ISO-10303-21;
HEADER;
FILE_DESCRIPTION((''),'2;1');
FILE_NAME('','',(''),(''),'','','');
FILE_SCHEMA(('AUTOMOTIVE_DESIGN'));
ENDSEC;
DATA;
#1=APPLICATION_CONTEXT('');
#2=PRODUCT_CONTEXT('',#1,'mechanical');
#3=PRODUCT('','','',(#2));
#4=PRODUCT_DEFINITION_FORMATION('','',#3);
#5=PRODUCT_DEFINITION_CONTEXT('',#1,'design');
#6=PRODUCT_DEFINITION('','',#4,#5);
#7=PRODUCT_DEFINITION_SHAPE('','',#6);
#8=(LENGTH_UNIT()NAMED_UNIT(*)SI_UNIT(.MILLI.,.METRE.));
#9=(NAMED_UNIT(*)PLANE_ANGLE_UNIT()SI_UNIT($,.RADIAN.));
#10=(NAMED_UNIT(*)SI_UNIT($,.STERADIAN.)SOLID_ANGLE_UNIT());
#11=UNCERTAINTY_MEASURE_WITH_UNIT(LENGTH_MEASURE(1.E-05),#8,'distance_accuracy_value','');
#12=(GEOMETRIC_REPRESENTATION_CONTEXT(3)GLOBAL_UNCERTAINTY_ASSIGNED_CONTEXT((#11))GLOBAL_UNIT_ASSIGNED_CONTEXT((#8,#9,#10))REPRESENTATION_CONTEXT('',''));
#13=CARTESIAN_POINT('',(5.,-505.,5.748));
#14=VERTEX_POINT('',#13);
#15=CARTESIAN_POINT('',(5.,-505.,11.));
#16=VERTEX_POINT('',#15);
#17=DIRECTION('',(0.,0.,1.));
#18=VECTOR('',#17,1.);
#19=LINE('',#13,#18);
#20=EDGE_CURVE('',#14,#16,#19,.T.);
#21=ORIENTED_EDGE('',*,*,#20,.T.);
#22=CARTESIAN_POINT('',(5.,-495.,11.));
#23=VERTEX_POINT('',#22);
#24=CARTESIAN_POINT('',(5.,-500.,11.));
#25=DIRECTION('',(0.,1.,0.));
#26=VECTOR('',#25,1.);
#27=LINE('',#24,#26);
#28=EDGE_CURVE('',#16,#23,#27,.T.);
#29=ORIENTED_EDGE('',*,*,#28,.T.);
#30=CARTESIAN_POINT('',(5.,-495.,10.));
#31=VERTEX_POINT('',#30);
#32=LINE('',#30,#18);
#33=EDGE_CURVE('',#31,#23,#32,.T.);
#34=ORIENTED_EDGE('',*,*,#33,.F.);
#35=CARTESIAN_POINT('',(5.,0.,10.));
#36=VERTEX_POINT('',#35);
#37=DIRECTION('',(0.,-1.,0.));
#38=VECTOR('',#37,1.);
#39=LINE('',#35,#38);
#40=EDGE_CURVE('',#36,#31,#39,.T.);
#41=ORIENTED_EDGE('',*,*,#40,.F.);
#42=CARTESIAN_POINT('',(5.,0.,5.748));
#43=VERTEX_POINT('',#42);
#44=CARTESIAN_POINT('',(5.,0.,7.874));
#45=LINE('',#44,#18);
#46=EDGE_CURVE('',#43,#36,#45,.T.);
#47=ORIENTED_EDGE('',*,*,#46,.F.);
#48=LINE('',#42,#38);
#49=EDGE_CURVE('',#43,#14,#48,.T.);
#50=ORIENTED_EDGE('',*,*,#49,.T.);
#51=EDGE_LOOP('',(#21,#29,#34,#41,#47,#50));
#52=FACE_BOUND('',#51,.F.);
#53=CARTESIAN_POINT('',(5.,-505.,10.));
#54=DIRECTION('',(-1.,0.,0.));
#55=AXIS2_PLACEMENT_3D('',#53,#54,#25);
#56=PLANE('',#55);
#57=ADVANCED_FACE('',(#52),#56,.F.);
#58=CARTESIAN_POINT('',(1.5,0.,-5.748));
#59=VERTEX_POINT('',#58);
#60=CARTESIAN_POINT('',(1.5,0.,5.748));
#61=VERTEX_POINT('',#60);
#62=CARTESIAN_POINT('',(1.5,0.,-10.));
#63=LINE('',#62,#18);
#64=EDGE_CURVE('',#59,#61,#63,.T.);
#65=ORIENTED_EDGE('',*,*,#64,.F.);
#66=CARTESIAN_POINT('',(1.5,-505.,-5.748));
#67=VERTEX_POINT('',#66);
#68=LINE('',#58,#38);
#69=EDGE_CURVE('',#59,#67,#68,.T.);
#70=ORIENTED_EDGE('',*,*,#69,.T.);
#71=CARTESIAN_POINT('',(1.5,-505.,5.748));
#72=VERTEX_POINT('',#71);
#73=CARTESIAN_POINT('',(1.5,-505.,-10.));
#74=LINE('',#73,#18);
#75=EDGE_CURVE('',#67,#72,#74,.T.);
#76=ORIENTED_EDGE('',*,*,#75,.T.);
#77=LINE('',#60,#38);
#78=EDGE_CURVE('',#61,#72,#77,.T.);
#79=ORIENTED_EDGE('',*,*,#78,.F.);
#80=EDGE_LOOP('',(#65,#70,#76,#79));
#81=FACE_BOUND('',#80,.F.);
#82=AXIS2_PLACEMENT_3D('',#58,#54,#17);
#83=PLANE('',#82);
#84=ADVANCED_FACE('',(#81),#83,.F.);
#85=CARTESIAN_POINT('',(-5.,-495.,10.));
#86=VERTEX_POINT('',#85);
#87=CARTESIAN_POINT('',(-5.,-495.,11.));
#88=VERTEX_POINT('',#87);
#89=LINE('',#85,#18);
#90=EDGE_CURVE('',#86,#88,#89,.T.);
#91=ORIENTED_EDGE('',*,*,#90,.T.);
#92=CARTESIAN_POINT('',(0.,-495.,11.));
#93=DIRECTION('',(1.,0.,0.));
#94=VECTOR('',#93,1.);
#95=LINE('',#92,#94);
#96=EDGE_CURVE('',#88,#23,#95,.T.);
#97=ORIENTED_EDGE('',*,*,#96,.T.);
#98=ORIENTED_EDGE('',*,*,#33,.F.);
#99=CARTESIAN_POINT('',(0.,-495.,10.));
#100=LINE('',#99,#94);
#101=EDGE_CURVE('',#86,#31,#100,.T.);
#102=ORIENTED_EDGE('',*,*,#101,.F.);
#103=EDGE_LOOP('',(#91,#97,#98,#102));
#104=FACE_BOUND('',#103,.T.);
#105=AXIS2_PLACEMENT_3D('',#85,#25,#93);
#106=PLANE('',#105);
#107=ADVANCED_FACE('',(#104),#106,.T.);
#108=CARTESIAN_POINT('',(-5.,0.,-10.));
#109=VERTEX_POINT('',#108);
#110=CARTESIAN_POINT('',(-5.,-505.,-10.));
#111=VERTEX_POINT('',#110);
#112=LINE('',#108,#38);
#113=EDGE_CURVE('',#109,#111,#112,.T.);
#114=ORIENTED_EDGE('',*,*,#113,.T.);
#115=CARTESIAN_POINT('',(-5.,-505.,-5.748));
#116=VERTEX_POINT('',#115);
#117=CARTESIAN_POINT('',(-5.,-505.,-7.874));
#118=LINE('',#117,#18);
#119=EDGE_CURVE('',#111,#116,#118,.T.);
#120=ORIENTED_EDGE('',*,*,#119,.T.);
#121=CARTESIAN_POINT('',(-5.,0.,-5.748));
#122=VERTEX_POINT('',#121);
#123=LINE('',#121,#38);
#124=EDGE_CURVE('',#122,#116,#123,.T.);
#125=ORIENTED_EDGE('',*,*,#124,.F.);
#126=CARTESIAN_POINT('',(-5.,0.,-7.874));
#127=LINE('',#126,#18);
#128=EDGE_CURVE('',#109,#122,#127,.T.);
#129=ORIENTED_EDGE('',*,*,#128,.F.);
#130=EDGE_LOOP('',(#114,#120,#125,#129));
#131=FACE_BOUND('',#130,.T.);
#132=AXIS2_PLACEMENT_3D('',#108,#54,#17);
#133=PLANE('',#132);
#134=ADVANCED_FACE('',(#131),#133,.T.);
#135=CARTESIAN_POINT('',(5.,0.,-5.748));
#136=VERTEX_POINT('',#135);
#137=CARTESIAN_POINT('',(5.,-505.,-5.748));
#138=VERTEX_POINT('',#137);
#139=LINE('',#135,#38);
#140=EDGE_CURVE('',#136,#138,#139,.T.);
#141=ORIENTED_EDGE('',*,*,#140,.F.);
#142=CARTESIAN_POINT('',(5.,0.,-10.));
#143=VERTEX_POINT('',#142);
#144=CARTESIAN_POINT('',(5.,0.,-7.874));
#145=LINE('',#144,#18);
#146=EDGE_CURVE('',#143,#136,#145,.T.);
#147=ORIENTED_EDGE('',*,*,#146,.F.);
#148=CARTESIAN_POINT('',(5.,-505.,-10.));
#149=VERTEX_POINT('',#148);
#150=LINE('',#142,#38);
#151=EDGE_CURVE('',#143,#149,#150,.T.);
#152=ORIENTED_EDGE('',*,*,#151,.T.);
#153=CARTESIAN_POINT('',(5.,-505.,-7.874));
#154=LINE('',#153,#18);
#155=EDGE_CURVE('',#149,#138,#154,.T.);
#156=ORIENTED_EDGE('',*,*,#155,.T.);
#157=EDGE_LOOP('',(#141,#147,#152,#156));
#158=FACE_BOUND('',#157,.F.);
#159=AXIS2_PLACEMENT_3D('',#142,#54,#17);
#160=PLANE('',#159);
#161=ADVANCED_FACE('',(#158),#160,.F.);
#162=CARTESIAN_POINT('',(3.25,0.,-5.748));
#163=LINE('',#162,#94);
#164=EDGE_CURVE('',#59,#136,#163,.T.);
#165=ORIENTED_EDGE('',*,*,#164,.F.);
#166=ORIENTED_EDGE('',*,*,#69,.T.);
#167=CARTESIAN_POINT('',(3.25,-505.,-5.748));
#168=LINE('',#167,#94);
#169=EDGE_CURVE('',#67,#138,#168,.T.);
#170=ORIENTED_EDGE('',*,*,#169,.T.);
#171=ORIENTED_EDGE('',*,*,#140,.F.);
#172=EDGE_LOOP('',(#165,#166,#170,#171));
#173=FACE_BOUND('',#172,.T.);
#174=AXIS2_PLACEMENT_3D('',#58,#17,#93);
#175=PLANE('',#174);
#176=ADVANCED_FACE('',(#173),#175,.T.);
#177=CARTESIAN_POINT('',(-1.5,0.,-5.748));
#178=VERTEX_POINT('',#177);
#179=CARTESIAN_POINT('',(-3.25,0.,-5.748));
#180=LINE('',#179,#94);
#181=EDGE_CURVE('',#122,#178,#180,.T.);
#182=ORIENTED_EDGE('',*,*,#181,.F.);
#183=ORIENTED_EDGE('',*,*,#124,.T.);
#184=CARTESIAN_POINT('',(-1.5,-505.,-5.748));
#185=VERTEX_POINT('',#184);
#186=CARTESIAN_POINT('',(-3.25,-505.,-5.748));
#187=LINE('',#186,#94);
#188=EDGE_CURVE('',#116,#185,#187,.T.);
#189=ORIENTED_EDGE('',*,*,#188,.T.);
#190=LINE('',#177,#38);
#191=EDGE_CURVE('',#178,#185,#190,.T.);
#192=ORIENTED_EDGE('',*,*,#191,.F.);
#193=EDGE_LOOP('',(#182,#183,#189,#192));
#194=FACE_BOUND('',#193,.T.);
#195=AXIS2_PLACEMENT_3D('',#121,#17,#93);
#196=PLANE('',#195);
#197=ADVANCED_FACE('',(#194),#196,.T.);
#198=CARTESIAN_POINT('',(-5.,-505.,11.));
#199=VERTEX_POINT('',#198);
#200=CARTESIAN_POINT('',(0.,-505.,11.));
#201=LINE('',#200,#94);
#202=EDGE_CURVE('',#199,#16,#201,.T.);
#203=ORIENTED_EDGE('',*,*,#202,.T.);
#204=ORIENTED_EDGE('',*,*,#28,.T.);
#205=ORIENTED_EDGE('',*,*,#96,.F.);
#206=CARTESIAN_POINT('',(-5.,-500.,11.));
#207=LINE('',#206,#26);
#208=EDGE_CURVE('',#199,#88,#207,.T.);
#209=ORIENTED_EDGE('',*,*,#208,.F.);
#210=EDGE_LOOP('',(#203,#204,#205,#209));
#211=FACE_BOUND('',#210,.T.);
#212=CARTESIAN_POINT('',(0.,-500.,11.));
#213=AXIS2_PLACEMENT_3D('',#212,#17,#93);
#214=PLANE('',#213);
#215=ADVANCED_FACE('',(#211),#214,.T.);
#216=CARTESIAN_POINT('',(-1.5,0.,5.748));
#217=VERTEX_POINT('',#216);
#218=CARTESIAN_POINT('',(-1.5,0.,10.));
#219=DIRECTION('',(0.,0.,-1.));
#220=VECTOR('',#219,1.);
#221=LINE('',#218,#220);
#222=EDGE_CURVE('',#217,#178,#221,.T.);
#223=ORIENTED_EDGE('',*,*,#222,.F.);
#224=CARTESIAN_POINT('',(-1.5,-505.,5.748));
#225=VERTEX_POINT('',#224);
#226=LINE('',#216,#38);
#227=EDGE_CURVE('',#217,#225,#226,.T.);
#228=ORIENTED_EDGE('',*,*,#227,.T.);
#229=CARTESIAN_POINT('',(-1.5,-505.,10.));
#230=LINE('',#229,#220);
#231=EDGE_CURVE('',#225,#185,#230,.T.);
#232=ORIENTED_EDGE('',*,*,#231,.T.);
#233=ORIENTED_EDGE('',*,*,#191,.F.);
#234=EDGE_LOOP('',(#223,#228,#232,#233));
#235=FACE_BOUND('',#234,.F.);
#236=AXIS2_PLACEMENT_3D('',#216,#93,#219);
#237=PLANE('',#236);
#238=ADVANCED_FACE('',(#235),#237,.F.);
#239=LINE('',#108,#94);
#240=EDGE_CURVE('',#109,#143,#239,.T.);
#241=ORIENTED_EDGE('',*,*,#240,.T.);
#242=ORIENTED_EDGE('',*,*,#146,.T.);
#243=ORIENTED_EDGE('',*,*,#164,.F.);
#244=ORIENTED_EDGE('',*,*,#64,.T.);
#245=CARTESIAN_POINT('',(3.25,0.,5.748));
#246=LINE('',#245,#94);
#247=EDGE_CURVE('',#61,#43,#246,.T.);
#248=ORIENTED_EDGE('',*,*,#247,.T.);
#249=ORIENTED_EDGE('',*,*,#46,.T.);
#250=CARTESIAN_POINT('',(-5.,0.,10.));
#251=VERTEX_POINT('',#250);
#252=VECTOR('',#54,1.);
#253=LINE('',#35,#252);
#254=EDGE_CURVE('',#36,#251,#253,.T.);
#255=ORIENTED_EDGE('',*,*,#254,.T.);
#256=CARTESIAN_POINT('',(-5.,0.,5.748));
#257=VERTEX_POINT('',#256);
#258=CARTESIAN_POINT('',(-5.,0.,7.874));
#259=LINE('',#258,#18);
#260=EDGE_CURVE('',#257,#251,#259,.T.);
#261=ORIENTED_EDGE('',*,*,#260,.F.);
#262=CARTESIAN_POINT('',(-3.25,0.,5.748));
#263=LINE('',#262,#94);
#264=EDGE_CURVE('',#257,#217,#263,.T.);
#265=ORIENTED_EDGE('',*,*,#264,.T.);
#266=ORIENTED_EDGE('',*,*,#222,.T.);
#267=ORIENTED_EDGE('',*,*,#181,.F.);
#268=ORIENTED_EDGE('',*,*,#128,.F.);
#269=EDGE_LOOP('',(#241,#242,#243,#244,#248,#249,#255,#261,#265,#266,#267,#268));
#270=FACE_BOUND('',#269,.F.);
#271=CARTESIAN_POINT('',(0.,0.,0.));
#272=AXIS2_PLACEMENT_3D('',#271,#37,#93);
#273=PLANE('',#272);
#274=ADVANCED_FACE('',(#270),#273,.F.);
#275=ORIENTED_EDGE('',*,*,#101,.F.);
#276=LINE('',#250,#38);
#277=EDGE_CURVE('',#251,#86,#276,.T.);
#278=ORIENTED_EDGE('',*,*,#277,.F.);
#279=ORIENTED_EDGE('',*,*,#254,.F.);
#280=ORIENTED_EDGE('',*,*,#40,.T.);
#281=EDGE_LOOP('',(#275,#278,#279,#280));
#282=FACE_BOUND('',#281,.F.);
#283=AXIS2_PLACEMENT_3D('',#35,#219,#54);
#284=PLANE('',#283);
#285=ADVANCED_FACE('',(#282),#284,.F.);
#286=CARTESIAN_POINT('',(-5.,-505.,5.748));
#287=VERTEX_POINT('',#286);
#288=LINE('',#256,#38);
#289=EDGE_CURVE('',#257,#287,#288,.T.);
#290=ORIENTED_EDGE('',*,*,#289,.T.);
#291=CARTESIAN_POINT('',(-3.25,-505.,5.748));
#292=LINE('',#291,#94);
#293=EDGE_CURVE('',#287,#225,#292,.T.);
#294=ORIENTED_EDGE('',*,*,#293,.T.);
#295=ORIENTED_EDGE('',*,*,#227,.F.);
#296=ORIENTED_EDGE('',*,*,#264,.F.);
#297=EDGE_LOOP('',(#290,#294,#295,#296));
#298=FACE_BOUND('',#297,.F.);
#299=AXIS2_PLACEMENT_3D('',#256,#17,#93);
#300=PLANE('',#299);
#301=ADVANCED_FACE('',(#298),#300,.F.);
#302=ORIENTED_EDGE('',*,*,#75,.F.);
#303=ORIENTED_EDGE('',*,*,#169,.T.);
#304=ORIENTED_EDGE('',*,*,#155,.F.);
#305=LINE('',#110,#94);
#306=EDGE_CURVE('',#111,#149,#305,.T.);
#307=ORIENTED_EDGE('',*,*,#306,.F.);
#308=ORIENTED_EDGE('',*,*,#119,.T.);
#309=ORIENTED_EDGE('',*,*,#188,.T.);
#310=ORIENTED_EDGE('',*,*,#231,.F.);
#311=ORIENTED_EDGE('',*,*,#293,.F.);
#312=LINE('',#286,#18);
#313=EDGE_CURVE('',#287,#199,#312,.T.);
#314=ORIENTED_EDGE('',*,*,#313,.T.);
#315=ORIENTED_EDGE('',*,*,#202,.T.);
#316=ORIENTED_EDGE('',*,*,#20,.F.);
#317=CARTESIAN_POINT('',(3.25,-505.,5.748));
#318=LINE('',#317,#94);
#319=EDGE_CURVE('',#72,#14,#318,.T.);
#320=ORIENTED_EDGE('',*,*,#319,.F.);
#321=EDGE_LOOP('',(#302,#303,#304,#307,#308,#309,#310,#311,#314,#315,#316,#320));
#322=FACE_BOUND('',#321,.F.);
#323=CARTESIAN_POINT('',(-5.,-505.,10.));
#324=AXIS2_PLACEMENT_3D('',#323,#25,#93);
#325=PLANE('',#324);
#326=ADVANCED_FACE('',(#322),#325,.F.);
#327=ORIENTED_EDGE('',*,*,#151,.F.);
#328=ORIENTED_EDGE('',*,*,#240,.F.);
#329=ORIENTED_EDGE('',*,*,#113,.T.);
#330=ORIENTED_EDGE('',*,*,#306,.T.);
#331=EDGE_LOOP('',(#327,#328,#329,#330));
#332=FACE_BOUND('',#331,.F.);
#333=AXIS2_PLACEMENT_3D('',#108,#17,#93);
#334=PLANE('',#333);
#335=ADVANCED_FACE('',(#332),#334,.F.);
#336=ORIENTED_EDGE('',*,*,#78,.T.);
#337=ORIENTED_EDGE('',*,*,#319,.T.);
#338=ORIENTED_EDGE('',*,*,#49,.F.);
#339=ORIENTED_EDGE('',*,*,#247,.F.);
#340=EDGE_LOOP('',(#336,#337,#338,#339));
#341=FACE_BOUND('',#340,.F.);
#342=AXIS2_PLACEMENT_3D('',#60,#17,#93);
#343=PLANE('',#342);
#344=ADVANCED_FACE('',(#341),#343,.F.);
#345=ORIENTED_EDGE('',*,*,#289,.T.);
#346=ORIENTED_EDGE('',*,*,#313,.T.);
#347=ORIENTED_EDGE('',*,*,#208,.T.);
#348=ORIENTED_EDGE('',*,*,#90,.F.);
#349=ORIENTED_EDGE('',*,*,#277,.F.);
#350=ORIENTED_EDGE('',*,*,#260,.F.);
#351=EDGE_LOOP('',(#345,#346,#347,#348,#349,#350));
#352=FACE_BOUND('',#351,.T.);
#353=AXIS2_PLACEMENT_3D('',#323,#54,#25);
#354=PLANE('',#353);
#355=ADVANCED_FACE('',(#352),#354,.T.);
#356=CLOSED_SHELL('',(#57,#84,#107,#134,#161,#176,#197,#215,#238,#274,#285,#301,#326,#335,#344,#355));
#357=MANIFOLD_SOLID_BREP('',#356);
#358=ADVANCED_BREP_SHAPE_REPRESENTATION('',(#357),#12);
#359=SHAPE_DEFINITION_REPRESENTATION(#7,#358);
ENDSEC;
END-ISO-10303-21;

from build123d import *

# Parameters (mm, degrees)
F0_W     = 3.5
F0_H     = 4.252
F1_DEPTH = 505
F2_W     = 10
F2_H     = 10
F3_DEPTH = 1


with BuildPart() as f1:
    # F0 (on Front) → F1 (new body)
    with BuildSketch(Plane.XZ):
        Polygon((1.5, 10), (-1.5, 10), (-1.5, 5.748), (-1.5, -5.748), (-1.5, -10), (1.5, -10), (1.5, -5.748), (1.5, 5.748), align=None)
        with Locations((-3.25, -7.874)):
            Rectangle(F0_W, F0_H)
        with Locations((3.25, -7.874)):
            Rectangle(F0_W, F0_H)
        with Locations((3.25, 7.874)):
            Rectangle(F0_W, F0_H)
        with Locations((-3.25, 7.874)):
            Rectangle(F0_W, F0_H)
    extrude(amount=F1_DEPTH)

    # F2 (on face) → F3 (join)
    with BuildSketch(Plane.XY.offset(10)):
        with Locations((0, -500)):
            Rectangle(F2_W, F2_H)
    extrude(amount=F3_DEPTH)


solid = f1.part
